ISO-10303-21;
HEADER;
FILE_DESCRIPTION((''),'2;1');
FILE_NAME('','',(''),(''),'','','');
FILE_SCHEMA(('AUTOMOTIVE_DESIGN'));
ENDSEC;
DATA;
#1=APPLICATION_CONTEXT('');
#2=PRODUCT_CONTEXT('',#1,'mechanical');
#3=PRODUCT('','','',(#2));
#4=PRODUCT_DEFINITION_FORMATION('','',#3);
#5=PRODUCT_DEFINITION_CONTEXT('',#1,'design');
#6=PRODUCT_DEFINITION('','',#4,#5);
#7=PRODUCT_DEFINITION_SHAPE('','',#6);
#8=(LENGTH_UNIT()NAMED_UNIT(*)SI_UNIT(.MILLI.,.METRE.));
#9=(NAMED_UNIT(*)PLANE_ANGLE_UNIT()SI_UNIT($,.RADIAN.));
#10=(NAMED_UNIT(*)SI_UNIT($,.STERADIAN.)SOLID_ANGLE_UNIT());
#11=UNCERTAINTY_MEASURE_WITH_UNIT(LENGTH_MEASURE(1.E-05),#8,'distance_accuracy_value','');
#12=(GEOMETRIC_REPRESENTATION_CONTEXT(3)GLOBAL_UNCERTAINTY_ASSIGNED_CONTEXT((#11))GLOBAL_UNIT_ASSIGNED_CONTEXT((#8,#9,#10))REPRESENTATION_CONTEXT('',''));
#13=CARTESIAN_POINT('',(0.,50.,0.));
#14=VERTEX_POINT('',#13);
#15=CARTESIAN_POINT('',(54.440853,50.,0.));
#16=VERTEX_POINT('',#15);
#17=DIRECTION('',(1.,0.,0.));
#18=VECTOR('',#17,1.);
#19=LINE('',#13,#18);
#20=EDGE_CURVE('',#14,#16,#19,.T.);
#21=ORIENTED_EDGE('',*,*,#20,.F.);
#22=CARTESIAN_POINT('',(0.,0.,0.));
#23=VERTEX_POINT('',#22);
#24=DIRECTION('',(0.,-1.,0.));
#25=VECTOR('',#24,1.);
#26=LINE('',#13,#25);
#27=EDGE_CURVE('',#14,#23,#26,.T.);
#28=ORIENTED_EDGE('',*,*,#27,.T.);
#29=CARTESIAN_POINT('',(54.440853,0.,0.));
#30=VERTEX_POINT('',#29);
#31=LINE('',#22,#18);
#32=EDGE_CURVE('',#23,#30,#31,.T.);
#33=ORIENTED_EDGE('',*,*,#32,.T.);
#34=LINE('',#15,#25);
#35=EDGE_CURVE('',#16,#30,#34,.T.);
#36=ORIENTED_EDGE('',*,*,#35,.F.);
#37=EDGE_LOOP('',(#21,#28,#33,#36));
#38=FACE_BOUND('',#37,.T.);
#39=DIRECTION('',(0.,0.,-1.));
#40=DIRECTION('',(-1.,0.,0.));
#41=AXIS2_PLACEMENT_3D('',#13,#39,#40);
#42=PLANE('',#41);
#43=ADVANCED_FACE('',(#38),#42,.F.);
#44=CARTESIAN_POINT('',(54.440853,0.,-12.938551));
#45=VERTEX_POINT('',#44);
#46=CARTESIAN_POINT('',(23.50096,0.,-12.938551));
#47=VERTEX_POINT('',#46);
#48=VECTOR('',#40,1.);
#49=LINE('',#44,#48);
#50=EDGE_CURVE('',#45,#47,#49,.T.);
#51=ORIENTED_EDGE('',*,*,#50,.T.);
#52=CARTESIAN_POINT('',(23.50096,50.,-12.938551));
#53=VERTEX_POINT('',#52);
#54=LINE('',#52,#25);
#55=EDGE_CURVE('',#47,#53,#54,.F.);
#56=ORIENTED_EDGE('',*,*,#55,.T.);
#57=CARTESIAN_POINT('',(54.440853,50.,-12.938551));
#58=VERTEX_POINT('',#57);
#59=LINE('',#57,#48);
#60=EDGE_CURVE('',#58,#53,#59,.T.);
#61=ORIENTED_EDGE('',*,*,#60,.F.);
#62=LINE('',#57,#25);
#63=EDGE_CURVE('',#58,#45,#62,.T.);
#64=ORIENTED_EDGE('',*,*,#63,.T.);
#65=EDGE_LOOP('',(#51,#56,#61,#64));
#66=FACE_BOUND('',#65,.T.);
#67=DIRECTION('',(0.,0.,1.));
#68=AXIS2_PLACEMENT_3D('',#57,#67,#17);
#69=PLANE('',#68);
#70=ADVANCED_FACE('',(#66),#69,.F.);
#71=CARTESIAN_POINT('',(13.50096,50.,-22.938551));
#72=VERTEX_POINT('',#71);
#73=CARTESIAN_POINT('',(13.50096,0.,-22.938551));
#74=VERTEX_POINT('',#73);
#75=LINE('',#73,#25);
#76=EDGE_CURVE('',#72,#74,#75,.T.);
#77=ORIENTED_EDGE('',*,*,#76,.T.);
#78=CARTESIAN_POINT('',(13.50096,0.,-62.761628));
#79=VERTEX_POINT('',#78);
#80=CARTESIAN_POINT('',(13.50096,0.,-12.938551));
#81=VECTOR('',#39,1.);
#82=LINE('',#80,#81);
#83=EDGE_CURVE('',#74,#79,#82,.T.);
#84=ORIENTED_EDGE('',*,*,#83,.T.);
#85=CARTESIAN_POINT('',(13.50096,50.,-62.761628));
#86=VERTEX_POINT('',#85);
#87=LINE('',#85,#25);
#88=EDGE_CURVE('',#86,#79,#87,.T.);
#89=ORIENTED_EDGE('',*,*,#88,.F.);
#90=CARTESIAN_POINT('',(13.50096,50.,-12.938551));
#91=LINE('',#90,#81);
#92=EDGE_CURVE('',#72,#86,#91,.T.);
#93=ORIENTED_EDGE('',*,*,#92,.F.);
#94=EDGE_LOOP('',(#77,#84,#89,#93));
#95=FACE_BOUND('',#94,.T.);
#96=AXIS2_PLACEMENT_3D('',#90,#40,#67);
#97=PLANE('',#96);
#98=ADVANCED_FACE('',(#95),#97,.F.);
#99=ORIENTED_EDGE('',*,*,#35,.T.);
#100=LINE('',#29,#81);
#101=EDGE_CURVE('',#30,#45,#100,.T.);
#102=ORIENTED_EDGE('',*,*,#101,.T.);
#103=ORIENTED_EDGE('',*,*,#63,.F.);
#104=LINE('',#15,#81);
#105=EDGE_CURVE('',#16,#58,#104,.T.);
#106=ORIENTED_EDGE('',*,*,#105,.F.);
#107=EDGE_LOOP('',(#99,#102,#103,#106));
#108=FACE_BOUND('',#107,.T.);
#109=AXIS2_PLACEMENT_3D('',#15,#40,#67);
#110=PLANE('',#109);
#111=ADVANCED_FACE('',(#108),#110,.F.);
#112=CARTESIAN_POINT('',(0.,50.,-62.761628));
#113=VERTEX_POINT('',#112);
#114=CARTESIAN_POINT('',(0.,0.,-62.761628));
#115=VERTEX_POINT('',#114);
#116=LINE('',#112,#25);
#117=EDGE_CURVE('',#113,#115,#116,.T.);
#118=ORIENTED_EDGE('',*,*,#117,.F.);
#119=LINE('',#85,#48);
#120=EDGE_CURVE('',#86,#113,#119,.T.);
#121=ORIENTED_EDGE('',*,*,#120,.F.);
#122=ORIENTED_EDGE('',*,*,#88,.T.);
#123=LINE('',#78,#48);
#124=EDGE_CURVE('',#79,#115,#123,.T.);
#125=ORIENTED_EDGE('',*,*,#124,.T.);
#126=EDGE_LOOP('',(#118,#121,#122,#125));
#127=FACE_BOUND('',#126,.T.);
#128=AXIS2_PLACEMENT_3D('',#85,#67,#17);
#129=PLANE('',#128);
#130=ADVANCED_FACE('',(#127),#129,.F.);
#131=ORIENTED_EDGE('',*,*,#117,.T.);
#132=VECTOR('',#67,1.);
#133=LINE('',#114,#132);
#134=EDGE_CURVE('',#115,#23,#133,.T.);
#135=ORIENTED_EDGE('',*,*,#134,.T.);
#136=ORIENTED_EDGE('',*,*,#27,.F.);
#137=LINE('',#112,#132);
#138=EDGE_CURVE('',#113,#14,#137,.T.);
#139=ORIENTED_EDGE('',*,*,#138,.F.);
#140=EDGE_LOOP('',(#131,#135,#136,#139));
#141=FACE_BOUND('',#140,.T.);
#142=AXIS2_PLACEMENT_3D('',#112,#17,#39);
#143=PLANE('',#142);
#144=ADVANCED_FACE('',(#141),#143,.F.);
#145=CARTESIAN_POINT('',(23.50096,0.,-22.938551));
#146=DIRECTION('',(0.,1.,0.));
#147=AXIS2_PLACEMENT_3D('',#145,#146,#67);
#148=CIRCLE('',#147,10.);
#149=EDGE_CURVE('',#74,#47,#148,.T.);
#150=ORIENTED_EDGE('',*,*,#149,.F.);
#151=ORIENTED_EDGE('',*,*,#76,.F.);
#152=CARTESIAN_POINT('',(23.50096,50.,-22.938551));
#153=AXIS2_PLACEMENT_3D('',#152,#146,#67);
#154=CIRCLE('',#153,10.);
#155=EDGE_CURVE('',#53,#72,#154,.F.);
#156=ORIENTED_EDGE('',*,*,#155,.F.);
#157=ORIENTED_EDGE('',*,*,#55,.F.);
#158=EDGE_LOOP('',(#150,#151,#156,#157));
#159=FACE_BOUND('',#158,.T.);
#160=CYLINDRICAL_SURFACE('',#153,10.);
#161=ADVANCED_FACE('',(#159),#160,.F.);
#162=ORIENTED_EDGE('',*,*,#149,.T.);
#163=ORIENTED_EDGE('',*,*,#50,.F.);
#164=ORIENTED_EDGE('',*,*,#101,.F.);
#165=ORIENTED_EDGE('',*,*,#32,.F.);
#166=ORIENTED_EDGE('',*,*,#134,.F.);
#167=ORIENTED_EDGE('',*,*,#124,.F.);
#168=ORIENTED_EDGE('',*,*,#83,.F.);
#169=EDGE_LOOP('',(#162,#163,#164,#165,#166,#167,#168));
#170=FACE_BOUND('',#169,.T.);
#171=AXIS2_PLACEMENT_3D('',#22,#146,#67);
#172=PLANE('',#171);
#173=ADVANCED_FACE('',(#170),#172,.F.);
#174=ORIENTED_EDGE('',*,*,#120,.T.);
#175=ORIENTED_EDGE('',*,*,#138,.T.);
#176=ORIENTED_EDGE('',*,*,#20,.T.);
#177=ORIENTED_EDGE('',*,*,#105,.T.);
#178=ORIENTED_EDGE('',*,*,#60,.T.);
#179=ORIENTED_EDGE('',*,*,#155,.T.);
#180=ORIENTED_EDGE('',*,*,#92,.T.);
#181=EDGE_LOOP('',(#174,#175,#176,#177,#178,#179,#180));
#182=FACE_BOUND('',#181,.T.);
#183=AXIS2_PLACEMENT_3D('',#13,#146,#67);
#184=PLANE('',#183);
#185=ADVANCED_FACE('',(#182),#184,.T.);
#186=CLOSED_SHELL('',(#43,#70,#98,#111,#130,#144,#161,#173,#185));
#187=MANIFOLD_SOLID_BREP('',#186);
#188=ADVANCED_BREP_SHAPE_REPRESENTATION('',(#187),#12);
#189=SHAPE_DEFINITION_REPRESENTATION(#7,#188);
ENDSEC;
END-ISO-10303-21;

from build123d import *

# Parameters (mm, degrees)
BOSS_EXTRUDE1_DEPTH = 50
FILLET1_R           = 10


with BuildPart() as part:
    # Sketch1 → Boss-Extrude1 (new body)
    with BuildSketch(Plane(origin=(0, 0, 0), x_dir=(1, 0, 0), z_dir=(0, 1, 0))):
        Polygon((0, 0), (54.440853042, 0), (54.440853042, 12.938550984), (13.500960377, 12.938550984), (13.500960377, 62.761627907), (0, 62.761627907), align=None)
    extrude(amount=BOSS_EXTRUDE1_DEPTH)

    # Fillet1
    fillet1_edges = [part.edges().sort_by_distance(p)[0] for p in [
        (13.500960377, 25, -12.938550984),
    ]]
    fillet(fillet1_edges, radius=FILLET1_R)


solid = part.part
